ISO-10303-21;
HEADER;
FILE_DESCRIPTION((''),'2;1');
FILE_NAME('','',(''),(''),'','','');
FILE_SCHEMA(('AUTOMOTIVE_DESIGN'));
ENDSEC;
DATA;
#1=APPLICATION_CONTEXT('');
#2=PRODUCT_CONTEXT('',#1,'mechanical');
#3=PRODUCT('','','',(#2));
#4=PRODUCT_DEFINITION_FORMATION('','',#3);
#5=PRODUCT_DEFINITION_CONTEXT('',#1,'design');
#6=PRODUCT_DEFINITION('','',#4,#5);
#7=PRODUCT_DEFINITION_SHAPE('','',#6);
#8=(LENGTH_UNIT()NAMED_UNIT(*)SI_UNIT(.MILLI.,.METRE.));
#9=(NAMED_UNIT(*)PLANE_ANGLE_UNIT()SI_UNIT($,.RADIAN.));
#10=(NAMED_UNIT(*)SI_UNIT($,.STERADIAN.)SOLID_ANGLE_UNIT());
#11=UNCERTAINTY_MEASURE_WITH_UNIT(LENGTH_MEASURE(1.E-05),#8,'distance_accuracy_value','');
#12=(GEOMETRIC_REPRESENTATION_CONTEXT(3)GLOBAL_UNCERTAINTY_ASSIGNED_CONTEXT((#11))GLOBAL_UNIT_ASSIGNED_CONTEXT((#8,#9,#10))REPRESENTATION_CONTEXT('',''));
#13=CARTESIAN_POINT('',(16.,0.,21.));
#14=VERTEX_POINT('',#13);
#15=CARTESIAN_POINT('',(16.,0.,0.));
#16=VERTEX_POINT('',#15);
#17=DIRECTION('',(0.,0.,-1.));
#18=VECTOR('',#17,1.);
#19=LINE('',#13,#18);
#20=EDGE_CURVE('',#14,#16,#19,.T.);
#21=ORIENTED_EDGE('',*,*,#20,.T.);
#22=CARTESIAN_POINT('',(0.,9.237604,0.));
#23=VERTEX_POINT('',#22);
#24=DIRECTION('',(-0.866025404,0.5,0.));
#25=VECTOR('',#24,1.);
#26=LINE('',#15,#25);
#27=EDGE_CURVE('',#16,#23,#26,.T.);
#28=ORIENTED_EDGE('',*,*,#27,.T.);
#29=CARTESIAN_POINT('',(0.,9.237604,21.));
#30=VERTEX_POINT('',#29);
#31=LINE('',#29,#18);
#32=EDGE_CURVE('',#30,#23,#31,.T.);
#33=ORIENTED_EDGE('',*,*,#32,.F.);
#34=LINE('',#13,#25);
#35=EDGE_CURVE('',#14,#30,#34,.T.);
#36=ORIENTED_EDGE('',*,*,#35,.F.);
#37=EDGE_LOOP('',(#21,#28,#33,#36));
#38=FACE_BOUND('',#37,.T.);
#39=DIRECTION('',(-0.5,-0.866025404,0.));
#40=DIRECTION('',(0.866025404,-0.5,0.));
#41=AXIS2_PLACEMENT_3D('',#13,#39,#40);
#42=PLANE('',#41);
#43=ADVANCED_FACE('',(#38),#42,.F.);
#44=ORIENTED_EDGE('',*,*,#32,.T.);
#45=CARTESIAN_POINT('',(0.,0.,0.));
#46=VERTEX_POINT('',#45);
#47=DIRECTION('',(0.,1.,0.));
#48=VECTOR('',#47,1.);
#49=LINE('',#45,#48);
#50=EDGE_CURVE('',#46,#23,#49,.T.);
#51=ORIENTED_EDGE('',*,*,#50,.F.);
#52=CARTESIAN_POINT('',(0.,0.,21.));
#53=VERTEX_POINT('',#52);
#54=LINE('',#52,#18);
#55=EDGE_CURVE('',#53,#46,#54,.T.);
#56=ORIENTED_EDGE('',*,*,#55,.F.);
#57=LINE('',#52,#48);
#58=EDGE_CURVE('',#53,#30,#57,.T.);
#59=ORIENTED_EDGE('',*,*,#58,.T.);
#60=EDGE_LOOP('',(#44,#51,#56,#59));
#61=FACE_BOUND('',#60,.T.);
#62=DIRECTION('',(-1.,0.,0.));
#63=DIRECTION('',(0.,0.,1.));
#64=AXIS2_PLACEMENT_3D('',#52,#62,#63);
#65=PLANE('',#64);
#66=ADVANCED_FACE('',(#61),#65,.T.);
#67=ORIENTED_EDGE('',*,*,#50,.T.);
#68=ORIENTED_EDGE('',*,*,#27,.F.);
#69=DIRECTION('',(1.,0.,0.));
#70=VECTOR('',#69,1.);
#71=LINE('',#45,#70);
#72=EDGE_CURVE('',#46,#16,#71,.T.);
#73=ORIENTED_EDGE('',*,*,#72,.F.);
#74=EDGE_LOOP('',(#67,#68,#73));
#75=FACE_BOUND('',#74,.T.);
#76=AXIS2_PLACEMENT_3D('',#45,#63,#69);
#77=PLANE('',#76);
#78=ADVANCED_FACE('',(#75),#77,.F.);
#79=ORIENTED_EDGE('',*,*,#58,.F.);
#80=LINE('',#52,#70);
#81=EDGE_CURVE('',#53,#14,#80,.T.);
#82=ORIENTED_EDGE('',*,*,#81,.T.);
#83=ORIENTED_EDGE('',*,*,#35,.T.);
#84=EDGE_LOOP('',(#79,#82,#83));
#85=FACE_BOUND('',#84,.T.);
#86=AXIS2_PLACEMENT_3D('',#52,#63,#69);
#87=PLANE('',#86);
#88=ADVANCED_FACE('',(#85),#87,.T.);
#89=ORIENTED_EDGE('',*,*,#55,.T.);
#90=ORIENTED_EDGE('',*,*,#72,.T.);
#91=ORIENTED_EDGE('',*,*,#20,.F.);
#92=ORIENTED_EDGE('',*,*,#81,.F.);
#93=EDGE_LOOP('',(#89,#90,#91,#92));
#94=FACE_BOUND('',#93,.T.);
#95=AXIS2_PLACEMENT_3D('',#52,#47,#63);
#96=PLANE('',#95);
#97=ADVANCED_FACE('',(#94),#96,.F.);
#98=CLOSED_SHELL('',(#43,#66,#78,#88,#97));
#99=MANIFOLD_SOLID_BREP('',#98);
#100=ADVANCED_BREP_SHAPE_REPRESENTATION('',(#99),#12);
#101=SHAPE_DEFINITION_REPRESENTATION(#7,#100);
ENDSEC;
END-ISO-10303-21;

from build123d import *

# Parameters (mm, degrees)
BOSS_EXTRUDE1_DEPTH = 21


with BuildPart() as part:
    # Sketch1 → Boss-Extrude1 (new body)
    with BuildSketch(Plane.XY):
        Polygon((16, 0), (0, 9.237604307), (0, 0), align=None)
    extrude(amount=BOSS_EXTRUDE1_DEPTH)


solid = part.part
